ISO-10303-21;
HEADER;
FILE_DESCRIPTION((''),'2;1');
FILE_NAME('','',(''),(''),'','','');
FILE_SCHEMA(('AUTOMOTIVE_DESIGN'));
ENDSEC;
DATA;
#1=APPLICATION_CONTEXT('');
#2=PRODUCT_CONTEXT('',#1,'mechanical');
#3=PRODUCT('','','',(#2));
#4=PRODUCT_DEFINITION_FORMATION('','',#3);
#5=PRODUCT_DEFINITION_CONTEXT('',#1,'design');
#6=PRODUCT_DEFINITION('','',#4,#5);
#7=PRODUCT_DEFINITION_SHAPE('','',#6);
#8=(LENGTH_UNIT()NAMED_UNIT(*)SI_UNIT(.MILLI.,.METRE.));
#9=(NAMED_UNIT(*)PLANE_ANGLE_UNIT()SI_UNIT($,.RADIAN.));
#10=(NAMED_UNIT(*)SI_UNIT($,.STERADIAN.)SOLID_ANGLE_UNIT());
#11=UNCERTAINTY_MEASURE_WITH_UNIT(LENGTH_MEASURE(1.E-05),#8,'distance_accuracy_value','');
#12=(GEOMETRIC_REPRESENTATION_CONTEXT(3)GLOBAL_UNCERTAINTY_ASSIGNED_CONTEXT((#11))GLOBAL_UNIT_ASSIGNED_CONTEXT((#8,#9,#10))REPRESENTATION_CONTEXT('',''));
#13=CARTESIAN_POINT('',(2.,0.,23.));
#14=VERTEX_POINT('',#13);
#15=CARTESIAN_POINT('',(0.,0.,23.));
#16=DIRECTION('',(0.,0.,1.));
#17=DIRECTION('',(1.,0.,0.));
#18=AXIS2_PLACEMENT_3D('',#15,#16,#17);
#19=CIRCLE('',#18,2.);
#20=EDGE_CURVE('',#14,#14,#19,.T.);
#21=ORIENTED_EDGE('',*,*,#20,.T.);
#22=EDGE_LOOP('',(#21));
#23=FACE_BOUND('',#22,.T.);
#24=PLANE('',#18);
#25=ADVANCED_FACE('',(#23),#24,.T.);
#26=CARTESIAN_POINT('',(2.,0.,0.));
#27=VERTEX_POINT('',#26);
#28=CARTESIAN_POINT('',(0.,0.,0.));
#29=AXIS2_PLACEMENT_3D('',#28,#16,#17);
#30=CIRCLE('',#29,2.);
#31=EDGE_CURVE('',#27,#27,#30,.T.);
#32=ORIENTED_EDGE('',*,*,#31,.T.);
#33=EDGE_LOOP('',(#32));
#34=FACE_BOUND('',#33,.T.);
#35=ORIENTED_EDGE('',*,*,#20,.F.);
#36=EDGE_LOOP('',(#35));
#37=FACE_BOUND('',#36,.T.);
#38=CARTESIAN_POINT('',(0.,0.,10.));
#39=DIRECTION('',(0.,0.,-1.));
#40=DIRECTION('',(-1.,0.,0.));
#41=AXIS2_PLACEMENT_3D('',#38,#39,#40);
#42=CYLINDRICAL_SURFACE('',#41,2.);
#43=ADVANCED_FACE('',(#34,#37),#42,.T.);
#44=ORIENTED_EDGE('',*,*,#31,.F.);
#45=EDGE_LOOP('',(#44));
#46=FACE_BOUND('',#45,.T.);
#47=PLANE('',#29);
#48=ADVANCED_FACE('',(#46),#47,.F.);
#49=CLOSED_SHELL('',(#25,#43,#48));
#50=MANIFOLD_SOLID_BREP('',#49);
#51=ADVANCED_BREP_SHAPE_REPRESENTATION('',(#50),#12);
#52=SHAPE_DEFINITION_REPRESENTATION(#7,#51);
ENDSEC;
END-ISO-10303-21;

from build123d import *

# Parameters (mm, degrees)
SKETCH_1_R      = 2
EXTRUDE_1_DEPTH = 10
SKETCH_2_R      = 2
EXTRUDE_2_DEPTH = 13


with BuildPart() as part:
    # 草图1 → 凸台-拉伸1 (new body)
    with BuildSketch(Plane.XY):
        Circle(SKETCH_1_R)
    extrude(amount=EXTRUDE_1_DEPTH)

    # 草图2 → 凸台-拉伸2 (add)
    with BuildSketch(Plane.XY.offset(10)):
        Circle(SKETCH_2_R)
    extrude(amount=EXTRUDE_2_DEPTH)


solid = part.part
